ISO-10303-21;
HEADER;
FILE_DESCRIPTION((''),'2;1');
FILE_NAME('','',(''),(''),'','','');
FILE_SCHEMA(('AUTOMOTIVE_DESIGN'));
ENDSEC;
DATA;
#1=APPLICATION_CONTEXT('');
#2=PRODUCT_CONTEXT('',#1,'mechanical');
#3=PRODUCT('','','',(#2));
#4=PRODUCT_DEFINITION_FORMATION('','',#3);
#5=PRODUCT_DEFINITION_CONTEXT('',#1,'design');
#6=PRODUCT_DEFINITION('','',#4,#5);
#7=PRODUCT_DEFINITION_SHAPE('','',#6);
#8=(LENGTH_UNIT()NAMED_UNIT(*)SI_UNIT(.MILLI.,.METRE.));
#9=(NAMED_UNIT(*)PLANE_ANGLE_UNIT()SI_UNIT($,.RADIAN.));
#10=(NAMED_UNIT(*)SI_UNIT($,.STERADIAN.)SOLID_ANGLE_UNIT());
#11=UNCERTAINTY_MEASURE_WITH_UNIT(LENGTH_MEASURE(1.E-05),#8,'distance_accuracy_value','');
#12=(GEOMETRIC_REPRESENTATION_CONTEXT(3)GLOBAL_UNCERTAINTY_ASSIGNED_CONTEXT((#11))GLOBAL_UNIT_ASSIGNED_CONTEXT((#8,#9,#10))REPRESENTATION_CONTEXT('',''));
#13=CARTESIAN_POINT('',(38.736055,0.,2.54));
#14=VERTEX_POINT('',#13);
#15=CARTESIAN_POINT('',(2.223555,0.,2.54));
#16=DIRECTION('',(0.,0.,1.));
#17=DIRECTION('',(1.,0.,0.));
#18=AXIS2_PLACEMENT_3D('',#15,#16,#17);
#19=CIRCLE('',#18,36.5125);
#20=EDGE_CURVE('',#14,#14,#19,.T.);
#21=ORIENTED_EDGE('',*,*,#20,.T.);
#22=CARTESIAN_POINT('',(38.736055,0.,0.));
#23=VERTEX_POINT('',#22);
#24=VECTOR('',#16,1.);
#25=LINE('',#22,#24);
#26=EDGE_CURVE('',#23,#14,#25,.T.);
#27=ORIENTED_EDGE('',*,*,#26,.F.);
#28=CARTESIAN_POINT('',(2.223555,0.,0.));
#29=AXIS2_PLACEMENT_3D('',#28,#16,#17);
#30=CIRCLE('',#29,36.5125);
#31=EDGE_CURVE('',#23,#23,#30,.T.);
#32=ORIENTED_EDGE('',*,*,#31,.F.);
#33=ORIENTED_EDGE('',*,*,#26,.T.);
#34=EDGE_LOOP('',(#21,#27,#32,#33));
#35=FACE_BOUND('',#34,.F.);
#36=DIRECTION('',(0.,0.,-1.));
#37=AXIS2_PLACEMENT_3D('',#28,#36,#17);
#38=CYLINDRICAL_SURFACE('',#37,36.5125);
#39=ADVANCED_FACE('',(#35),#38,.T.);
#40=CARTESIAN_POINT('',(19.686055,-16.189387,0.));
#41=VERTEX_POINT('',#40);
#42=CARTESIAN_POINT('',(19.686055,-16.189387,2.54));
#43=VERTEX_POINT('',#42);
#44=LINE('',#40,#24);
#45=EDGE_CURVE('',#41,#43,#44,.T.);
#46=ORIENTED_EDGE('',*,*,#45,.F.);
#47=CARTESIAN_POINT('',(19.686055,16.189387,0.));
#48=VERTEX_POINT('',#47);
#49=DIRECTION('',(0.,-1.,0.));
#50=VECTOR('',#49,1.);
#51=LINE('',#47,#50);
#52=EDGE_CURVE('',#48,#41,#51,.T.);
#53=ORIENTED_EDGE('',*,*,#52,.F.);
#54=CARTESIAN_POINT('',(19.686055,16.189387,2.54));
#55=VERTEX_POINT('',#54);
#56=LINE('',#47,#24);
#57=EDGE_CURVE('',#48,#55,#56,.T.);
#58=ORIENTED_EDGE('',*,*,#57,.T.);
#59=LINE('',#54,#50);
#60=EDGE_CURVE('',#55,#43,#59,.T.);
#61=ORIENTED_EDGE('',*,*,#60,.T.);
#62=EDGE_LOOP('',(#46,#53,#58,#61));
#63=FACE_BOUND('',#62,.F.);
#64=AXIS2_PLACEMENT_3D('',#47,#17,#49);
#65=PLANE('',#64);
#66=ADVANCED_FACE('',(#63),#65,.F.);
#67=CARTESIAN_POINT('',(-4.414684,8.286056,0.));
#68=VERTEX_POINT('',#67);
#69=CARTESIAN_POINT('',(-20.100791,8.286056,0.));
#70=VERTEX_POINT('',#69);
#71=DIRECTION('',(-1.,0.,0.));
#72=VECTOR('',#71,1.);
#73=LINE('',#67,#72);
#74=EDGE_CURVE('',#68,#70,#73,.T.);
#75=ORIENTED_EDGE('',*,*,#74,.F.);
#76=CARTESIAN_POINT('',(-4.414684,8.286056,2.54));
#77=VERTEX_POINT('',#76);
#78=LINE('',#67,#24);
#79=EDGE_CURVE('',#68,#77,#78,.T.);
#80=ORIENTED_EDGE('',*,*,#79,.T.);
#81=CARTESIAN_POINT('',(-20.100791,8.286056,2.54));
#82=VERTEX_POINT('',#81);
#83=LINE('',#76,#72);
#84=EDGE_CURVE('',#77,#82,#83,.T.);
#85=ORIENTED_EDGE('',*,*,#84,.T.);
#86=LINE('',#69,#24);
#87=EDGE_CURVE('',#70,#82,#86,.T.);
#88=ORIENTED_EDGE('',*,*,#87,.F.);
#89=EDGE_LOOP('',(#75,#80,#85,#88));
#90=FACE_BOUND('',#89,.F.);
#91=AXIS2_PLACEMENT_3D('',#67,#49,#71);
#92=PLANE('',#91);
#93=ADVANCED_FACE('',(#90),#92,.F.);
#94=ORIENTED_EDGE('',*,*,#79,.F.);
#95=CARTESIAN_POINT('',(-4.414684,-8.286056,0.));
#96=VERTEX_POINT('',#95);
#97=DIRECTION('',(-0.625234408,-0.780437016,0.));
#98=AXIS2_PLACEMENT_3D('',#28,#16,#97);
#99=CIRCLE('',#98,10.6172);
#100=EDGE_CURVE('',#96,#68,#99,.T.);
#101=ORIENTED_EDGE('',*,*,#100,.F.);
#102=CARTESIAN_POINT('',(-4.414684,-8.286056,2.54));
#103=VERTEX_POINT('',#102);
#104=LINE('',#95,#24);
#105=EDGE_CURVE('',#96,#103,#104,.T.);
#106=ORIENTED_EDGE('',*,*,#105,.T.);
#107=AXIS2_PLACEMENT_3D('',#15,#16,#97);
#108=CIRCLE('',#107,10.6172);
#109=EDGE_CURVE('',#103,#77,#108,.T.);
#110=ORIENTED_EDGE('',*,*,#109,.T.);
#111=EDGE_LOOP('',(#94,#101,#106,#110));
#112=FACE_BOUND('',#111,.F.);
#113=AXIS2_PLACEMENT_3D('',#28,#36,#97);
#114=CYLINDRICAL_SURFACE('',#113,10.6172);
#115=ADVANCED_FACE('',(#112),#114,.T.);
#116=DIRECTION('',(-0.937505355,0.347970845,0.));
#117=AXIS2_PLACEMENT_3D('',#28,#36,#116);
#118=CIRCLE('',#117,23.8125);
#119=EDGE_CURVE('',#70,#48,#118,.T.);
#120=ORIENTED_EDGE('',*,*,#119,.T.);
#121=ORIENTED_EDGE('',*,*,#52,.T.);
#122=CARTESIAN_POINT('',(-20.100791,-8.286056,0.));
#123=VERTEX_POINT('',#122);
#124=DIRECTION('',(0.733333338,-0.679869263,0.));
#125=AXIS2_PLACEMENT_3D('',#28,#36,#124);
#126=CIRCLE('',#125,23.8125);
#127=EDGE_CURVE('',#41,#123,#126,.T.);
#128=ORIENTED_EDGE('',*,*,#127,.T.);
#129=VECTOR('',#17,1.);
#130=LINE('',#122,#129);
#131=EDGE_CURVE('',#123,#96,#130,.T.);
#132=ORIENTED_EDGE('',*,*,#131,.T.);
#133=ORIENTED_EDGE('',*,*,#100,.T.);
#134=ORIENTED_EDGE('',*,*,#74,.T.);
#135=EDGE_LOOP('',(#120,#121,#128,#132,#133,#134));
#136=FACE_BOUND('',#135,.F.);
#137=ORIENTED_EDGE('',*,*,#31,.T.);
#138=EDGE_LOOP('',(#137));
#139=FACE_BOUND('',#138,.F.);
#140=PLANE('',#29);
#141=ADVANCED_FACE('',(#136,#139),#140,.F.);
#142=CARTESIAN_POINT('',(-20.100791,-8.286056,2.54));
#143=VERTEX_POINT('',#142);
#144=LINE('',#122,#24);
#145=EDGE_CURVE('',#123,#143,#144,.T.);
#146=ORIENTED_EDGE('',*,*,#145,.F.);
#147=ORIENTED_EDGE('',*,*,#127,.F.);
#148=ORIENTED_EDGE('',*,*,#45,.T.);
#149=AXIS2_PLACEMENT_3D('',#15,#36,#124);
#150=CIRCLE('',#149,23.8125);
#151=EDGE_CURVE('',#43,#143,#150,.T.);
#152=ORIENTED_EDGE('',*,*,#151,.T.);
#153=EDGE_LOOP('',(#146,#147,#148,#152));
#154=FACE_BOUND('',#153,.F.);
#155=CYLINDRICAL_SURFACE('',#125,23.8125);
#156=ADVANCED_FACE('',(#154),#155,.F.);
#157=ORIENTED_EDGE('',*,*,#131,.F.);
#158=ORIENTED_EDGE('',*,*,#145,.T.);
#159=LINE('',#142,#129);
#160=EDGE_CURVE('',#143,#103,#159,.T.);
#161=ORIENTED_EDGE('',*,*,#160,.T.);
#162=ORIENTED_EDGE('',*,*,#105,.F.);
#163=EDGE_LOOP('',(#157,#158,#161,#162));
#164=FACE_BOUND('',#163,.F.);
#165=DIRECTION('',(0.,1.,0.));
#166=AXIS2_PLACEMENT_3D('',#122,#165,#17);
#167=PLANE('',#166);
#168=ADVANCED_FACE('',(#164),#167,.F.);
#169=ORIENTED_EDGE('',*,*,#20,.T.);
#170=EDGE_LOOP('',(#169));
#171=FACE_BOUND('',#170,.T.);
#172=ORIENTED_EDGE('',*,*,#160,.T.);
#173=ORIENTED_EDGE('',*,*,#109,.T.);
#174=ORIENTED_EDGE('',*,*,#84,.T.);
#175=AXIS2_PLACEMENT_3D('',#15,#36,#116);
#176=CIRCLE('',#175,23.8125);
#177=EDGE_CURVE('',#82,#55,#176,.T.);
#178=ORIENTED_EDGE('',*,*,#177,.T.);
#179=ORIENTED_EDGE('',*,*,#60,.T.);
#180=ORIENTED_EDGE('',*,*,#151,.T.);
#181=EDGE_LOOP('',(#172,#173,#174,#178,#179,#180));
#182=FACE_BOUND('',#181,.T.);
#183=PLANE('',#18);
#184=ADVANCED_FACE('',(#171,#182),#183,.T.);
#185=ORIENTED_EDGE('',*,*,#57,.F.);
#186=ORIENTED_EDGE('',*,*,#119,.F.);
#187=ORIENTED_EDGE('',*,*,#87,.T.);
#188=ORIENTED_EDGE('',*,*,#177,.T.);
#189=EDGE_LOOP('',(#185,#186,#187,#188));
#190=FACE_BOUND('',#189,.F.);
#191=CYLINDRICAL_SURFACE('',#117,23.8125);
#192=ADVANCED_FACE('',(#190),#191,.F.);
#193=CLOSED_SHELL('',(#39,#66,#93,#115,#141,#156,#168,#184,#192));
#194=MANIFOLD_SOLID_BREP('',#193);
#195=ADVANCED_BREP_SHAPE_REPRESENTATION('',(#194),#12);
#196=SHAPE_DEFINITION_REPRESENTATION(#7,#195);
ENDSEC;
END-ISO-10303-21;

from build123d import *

# Parameters (mm, degrees)
F0_R     = 36.5125
F1_DEPTH = 2.54


with BuildPart() as f1:
    # F0 (on Top) → F1 (new body)
    with BuildSketch(Plane.XY):
        with Locations((2.223555, 0)):
            Circle(F0_R)
        with BuildLine():
            Line((19.686055, 16.189387), (19.686055, -16.189387))
            ThreePointArc((19.686055, -16.189387), (-2.415954, -23.356158), (-20.100791, -8.286056))
            Line((-20.100791, -8.286056), (-4.414684, -8.286056))
            ThreePointArc((-4.414684, -8.286056), (12.840755, 0), (-4.414684, 8.286056))
            Line((-4.414684, 8.286056), (-20.100791, 8.286056))
            ThreePointArc((-20.100791, 8.286056), (-2.415954, 23.356158), (19.686055, 16.189387))
        make_face(mode=Mode.SUBTRACT)
    extrude(amount=F1_DEPTH)


solid = f1.part
